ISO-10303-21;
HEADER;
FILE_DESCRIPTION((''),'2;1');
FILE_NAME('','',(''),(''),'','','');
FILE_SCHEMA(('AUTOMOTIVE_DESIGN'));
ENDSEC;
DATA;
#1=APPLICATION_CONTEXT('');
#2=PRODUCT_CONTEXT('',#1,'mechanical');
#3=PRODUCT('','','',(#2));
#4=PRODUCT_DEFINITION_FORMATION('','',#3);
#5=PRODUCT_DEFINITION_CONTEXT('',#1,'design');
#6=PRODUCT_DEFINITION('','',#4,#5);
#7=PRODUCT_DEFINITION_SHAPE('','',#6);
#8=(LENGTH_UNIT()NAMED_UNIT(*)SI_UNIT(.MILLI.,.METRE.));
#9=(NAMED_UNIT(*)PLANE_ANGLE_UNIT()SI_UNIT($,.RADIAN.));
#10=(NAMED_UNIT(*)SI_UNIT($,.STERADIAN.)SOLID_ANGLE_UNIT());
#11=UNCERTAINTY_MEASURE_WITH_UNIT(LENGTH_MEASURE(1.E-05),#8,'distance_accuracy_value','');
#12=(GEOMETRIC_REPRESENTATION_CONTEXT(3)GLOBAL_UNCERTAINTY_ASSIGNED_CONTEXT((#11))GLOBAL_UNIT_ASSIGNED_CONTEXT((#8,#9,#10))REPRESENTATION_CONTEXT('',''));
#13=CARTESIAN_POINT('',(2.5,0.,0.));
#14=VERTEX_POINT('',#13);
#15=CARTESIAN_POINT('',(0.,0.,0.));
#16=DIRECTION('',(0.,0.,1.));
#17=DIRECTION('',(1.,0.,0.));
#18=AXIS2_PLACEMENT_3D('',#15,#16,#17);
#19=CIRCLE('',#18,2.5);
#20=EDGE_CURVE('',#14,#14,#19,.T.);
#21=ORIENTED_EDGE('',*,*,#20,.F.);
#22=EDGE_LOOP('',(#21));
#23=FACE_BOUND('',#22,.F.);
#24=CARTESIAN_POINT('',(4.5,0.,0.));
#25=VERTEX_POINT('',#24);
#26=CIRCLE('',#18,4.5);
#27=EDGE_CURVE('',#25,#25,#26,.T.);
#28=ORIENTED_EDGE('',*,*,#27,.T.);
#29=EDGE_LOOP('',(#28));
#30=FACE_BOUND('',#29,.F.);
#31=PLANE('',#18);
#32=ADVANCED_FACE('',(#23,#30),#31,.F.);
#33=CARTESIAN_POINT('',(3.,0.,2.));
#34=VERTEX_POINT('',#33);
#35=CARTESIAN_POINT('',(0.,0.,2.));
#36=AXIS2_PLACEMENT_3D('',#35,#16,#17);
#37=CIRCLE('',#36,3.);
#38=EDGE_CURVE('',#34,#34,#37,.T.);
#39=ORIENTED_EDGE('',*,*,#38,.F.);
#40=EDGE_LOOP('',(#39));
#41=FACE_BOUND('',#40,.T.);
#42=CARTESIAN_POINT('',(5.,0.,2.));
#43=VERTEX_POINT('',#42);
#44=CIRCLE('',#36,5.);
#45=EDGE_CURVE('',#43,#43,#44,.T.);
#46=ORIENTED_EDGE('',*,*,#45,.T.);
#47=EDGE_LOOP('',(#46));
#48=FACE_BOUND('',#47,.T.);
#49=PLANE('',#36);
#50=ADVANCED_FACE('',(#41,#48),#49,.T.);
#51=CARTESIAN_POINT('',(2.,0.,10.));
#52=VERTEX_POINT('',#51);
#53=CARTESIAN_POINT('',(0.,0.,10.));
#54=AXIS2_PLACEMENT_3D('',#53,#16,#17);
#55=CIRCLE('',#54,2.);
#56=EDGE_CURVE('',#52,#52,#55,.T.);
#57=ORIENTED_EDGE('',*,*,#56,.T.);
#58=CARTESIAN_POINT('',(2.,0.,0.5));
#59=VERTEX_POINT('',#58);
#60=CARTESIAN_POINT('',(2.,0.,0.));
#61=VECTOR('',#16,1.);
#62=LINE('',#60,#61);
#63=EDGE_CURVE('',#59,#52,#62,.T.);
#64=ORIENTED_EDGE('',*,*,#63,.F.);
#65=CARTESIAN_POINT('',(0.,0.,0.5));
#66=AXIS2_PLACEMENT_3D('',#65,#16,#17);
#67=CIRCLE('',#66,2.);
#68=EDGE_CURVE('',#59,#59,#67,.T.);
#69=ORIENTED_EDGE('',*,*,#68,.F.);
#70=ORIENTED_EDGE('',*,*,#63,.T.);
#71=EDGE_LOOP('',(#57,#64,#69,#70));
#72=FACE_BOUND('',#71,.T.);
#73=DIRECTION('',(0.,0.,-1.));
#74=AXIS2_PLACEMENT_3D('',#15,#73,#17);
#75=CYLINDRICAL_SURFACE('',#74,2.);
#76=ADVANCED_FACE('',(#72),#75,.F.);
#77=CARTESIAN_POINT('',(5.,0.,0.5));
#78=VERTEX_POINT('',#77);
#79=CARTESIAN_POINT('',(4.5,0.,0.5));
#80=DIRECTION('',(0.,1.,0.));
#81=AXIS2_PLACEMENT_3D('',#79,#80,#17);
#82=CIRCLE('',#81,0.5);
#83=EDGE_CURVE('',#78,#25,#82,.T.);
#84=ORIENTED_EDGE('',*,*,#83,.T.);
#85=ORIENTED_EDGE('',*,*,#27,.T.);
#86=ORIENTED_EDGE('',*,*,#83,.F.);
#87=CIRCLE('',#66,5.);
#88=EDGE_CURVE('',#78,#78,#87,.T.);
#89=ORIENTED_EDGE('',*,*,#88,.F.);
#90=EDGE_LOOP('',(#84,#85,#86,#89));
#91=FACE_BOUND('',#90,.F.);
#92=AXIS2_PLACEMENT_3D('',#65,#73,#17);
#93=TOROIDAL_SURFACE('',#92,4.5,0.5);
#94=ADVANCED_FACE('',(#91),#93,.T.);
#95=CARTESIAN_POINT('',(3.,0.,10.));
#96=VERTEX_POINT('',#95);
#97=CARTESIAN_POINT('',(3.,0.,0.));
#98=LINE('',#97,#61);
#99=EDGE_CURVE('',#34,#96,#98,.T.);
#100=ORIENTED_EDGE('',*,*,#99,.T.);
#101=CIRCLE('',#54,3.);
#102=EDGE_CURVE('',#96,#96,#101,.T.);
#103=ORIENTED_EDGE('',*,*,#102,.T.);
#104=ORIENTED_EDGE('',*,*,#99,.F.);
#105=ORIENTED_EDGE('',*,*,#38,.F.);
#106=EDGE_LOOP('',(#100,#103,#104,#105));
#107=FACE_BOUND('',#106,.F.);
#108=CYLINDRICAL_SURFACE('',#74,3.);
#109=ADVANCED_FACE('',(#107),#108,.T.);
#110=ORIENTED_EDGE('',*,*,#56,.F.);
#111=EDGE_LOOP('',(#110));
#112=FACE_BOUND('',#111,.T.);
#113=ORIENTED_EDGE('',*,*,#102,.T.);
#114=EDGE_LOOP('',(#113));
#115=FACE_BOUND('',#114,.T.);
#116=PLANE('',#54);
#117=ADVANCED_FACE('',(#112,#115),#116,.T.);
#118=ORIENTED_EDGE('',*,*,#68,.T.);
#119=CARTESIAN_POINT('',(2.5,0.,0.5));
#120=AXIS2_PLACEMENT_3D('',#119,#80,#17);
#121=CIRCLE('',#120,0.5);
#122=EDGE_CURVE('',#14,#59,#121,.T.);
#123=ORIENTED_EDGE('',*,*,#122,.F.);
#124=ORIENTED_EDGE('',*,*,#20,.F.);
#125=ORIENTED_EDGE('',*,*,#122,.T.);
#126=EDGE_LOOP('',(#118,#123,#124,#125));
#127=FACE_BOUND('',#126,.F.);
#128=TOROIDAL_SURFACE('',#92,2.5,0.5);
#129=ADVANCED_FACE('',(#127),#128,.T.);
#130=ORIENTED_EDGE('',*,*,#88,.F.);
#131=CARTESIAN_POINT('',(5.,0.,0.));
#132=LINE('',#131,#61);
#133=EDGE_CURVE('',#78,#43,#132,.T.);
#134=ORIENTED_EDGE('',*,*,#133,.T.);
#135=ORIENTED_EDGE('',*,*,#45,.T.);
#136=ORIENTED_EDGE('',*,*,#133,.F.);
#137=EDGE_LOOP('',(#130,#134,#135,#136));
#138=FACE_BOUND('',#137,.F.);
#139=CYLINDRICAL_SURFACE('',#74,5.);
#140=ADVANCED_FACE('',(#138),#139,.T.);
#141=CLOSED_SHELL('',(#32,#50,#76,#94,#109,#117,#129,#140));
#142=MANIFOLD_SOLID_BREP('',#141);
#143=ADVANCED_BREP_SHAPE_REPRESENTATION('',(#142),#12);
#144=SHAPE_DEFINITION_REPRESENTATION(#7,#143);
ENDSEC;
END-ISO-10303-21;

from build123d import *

# Parameters (mm, degrees)
F0_R     = 3
F0_R_2   = 2
F1_DEPTH = 10
F0_R_3   = 5
F2_DEPTH = 2
F3_R     = 0.5


with BuildPart() as f1:
    # F0 (on Top) → F1 (new body)
    with BuildSketch(Plane.XY):
        Circle(F0_R)
        Circle(F0_R_2, mode=Mode.SUBTRACT)
    extrude(amount=F1_DEPTH)

    # F0 (on Top) → F2 (join)
    with BuildSketch(Plane.XY):
        Circle(F0_R_3)
        Circle(F0_R, mode=Mode.SUBTRACT)
    extrude(amount=F2_DEPTH)

    # F3
    f3_edges = [f1.edges().sort_by_distance(p)[0] for p in [
        (-5, 0, 0),
        (-2, 0, 0),
    ]]
    fillet(f3_edges, radius=F3_R)


solid = f1.part
